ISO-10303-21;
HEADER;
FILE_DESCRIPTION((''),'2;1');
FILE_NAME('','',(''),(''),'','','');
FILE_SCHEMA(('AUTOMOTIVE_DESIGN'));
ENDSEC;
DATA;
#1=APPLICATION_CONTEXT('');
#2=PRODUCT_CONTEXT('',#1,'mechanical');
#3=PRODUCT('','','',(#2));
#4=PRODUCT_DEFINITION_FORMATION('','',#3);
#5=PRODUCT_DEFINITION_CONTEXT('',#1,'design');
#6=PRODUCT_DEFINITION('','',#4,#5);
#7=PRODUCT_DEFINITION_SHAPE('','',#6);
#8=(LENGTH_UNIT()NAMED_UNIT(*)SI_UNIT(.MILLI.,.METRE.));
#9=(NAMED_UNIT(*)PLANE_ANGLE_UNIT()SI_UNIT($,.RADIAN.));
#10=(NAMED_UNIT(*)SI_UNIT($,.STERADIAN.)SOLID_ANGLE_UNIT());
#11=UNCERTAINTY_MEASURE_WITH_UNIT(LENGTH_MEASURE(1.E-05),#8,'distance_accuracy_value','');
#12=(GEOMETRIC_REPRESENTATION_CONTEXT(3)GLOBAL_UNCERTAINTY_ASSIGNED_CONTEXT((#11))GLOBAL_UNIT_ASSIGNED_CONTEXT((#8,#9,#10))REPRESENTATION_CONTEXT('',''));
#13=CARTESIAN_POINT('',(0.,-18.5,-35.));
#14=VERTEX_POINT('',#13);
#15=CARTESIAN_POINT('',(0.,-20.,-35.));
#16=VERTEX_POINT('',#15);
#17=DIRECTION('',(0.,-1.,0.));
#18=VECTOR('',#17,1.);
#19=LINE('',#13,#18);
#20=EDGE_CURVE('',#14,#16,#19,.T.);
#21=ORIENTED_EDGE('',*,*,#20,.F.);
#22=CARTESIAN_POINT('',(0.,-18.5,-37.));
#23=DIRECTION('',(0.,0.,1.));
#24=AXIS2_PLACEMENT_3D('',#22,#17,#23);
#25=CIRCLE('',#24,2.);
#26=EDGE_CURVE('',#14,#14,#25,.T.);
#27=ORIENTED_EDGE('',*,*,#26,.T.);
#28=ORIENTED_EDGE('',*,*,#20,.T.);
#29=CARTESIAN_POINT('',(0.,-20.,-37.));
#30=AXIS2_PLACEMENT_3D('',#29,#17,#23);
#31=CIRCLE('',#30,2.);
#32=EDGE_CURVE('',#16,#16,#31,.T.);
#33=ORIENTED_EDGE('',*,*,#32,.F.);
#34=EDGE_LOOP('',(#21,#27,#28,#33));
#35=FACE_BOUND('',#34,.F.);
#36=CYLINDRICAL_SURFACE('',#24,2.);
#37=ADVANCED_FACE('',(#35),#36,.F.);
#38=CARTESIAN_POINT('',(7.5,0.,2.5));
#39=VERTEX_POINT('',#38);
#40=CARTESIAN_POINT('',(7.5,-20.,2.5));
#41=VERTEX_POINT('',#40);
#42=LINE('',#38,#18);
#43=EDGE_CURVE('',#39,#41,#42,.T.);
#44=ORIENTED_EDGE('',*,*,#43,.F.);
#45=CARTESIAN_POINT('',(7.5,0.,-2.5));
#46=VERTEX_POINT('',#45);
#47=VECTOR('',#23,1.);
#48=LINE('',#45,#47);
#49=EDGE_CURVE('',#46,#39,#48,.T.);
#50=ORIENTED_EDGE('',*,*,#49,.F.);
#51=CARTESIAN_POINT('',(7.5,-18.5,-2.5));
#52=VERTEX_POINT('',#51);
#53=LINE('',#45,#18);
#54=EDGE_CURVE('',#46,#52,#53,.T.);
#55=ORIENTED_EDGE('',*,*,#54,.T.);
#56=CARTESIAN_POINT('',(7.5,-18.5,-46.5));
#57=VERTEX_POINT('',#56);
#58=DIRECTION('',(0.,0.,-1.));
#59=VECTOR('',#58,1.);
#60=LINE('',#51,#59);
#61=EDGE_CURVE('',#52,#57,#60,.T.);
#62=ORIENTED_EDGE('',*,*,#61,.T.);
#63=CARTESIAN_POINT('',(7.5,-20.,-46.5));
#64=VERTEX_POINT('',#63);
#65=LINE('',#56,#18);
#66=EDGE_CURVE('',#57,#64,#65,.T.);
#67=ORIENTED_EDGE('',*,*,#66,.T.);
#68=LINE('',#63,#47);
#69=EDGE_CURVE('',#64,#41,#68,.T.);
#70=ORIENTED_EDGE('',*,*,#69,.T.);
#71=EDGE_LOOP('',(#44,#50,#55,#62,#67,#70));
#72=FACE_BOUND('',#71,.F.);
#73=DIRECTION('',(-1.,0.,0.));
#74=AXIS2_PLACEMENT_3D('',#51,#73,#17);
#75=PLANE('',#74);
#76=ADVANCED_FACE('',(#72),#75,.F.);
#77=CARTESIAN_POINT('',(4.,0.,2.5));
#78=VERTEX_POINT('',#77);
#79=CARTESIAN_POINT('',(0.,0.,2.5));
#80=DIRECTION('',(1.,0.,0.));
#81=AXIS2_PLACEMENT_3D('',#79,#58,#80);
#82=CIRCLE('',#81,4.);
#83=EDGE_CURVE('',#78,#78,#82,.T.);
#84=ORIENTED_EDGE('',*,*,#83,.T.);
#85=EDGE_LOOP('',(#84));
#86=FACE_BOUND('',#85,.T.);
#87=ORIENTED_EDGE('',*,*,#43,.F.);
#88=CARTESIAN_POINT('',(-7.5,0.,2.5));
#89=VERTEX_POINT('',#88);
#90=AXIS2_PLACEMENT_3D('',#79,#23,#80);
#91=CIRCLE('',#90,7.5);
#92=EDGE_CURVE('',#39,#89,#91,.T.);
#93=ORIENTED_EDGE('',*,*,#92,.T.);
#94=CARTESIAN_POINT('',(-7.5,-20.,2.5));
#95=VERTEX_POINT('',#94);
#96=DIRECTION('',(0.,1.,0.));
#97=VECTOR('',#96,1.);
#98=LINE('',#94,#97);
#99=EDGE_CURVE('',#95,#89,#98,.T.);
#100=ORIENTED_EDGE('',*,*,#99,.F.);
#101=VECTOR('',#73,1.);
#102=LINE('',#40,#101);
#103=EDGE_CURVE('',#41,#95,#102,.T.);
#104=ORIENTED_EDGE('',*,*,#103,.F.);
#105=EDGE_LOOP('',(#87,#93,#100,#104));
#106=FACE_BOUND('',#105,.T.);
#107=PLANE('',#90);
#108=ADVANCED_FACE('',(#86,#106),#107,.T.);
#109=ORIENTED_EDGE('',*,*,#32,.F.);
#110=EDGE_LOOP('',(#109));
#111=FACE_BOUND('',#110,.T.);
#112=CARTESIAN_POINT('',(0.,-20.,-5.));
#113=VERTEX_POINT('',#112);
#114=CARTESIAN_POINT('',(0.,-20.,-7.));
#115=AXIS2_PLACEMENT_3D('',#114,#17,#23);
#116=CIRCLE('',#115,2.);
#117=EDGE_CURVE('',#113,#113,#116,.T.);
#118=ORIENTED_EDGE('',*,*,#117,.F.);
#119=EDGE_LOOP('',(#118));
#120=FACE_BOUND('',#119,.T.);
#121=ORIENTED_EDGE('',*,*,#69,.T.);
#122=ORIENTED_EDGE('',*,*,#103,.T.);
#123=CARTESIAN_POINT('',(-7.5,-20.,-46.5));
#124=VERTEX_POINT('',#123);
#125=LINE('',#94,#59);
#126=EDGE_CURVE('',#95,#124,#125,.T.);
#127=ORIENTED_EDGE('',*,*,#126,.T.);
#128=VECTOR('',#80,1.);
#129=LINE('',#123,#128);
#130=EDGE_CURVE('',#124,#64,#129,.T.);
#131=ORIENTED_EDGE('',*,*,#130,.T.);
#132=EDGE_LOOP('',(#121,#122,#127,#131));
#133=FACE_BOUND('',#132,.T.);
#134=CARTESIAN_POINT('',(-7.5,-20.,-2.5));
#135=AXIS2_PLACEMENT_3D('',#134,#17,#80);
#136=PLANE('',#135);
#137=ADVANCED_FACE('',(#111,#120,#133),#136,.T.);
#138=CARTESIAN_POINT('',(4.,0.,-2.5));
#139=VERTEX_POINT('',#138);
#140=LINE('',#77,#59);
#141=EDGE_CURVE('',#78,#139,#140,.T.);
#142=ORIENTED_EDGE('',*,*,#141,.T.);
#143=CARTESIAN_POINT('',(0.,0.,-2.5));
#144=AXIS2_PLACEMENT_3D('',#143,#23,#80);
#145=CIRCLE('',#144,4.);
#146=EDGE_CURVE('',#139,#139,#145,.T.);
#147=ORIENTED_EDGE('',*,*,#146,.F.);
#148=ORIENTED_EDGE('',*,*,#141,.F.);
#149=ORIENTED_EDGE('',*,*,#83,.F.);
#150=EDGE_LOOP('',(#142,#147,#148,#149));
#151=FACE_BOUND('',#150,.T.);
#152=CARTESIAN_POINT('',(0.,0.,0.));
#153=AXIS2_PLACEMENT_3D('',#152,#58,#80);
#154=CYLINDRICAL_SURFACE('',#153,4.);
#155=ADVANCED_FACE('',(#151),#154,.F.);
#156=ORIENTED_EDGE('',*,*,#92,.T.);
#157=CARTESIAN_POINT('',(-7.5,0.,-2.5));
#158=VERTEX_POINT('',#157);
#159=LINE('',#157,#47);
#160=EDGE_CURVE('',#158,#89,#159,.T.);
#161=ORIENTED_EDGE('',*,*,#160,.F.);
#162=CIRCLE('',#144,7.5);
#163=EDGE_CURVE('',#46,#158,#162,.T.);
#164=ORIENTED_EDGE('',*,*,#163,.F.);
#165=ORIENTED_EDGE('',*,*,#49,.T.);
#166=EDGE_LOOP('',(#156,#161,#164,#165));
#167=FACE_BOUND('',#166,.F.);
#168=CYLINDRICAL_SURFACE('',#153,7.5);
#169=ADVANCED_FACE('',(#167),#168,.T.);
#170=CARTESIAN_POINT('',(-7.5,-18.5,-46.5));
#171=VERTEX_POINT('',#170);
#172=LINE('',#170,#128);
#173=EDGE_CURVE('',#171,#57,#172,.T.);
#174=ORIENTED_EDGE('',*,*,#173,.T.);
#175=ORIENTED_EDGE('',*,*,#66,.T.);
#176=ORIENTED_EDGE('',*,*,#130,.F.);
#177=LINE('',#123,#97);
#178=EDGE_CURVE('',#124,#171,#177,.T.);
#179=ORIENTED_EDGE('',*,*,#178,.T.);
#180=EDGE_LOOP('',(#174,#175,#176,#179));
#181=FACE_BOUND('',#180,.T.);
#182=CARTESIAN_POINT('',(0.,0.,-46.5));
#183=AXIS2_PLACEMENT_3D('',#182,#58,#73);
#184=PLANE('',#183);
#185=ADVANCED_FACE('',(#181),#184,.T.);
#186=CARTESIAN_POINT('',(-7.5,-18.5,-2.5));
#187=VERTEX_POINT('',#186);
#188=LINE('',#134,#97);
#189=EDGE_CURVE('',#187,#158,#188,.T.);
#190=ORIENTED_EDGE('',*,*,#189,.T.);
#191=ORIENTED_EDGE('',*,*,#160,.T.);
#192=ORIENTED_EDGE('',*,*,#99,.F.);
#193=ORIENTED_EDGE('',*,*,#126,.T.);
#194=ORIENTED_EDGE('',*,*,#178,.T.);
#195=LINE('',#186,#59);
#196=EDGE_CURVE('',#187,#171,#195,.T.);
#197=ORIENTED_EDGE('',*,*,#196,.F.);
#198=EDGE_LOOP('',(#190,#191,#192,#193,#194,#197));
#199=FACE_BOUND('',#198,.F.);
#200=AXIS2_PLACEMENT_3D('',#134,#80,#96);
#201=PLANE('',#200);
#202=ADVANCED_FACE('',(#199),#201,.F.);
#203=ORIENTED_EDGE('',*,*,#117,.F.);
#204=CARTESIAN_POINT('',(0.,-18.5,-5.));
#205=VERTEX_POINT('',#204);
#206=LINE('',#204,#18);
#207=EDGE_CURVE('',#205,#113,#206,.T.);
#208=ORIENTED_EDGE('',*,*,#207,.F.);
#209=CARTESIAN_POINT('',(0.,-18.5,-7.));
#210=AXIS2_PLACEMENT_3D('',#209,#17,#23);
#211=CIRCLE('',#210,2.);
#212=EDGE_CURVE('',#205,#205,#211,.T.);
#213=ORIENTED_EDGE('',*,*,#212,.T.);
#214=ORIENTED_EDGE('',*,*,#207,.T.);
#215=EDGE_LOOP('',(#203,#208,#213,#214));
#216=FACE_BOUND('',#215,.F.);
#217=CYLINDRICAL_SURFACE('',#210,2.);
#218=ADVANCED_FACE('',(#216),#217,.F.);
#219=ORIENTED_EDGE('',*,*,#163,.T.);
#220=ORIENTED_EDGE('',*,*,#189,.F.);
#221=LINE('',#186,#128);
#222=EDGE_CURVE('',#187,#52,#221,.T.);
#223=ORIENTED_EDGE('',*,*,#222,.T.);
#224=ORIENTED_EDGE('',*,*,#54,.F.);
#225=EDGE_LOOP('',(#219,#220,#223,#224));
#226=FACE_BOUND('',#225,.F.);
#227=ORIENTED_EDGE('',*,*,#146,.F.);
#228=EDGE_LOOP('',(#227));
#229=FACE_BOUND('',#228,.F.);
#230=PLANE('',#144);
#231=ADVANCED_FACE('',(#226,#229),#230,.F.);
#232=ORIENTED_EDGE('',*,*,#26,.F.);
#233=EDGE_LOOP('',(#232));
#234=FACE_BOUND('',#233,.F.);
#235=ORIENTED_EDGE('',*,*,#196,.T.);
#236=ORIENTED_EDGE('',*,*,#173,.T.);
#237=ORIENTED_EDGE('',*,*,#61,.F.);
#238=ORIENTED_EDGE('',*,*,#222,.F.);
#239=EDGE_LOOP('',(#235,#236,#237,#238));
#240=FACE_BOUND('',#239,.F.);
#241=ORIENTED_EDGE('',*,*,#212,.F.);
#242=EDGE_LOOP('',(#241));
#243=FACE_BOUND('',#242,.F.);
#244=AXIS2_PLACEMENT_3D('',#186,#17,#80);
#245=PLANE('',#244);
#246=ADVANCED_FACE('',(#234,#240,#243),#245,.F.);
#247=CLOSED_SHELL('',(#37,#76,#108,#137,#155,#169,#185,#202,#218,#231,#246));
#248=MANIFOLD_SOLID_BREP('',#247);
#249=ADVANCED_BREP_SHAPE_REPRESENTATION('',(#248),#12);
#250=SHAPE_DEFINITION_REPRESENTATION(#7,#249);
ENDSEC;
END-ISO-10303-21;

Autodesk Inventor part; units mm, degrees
ref_plane "YZ Plane" through (0, 0, 0) normal (1, 0, 0) x (0, 1, 0)
ref_plane "XZ Plane" through (0, 0, 0) normal (0, 1, 0) x (-1, 0, 0)
ref_plane "XY Plane" through (0, 0, 0) normal (0, 0, 1) x (1, 0, 0)
sketch "Sketch1" plane through (0, 0, 0) normal (0, 0, 1) x (1, 0, 0)
  circle A0 centre (0, 0) radius 4
  arc A1 (7.5, 0) -> (-7.5, 0) centre (0, 0) ccw
  line L0 (-7.5, 0) -> (7.5, 0)
  line L1 (7.5, 0) -> (7.5, -20)
  line L2 (7.5, -20) -> (-7.5, -20)
  line L3 (-7.5, -20) -> (-7.5, 0)
  dimension "d0" = 8
  dimension "d1" = 15
  dimension "d2" = 15
  dimension "d3" = 20
extrude "Extrusion1" add sketch "Sketch1" along normal mid plane 5 contours L0 L1 L2 L3 A0 | A0 L0 A1
sketch "Sketch2" plane through (0, 0, -2.5) normal (0, 0, -1) x (-1, 0, 0)
  line L0 (7.5, -20) -> (-7.5, -20) projected
  line L1 (-7.5, -20) -> (7.5, -20)
  line L2 (7.5, -20) -> (7.5, -18.5)
  line L3 (7.5, -18.5) -> (-7.5, -18.5)
  line L4 (-7.5, -18.5) -> (-7.5, -20)
  point P0 (0, 0)
  dimension "d6" = 15
  dimension "d7" = 1.5
extrude "Extrusion2" add sketch "Sketch2" along normal blind 44
sketch "Sketch3" plane through (-7.5, -18.5, -2.5) normal (0, 1, 0) x (1, 0, 0)
  line L0 (0, -5) -> (15, -5) projected
  line L1 (7.5, -5) -> (7.5, 4.5)
  line L2 (7.5, 4.5) -> (7.5, 34.5)
  point P0 (7.5, -2.5)
  dimension "d10" = 9.5
  dimension "d11" = 30
hole "Hole1" at (0, -18.5, -7) at (0, -18.5, -37) direction (0, -1, 0) diameter 4 depth 6
properties part number "Half Bearing Block"
